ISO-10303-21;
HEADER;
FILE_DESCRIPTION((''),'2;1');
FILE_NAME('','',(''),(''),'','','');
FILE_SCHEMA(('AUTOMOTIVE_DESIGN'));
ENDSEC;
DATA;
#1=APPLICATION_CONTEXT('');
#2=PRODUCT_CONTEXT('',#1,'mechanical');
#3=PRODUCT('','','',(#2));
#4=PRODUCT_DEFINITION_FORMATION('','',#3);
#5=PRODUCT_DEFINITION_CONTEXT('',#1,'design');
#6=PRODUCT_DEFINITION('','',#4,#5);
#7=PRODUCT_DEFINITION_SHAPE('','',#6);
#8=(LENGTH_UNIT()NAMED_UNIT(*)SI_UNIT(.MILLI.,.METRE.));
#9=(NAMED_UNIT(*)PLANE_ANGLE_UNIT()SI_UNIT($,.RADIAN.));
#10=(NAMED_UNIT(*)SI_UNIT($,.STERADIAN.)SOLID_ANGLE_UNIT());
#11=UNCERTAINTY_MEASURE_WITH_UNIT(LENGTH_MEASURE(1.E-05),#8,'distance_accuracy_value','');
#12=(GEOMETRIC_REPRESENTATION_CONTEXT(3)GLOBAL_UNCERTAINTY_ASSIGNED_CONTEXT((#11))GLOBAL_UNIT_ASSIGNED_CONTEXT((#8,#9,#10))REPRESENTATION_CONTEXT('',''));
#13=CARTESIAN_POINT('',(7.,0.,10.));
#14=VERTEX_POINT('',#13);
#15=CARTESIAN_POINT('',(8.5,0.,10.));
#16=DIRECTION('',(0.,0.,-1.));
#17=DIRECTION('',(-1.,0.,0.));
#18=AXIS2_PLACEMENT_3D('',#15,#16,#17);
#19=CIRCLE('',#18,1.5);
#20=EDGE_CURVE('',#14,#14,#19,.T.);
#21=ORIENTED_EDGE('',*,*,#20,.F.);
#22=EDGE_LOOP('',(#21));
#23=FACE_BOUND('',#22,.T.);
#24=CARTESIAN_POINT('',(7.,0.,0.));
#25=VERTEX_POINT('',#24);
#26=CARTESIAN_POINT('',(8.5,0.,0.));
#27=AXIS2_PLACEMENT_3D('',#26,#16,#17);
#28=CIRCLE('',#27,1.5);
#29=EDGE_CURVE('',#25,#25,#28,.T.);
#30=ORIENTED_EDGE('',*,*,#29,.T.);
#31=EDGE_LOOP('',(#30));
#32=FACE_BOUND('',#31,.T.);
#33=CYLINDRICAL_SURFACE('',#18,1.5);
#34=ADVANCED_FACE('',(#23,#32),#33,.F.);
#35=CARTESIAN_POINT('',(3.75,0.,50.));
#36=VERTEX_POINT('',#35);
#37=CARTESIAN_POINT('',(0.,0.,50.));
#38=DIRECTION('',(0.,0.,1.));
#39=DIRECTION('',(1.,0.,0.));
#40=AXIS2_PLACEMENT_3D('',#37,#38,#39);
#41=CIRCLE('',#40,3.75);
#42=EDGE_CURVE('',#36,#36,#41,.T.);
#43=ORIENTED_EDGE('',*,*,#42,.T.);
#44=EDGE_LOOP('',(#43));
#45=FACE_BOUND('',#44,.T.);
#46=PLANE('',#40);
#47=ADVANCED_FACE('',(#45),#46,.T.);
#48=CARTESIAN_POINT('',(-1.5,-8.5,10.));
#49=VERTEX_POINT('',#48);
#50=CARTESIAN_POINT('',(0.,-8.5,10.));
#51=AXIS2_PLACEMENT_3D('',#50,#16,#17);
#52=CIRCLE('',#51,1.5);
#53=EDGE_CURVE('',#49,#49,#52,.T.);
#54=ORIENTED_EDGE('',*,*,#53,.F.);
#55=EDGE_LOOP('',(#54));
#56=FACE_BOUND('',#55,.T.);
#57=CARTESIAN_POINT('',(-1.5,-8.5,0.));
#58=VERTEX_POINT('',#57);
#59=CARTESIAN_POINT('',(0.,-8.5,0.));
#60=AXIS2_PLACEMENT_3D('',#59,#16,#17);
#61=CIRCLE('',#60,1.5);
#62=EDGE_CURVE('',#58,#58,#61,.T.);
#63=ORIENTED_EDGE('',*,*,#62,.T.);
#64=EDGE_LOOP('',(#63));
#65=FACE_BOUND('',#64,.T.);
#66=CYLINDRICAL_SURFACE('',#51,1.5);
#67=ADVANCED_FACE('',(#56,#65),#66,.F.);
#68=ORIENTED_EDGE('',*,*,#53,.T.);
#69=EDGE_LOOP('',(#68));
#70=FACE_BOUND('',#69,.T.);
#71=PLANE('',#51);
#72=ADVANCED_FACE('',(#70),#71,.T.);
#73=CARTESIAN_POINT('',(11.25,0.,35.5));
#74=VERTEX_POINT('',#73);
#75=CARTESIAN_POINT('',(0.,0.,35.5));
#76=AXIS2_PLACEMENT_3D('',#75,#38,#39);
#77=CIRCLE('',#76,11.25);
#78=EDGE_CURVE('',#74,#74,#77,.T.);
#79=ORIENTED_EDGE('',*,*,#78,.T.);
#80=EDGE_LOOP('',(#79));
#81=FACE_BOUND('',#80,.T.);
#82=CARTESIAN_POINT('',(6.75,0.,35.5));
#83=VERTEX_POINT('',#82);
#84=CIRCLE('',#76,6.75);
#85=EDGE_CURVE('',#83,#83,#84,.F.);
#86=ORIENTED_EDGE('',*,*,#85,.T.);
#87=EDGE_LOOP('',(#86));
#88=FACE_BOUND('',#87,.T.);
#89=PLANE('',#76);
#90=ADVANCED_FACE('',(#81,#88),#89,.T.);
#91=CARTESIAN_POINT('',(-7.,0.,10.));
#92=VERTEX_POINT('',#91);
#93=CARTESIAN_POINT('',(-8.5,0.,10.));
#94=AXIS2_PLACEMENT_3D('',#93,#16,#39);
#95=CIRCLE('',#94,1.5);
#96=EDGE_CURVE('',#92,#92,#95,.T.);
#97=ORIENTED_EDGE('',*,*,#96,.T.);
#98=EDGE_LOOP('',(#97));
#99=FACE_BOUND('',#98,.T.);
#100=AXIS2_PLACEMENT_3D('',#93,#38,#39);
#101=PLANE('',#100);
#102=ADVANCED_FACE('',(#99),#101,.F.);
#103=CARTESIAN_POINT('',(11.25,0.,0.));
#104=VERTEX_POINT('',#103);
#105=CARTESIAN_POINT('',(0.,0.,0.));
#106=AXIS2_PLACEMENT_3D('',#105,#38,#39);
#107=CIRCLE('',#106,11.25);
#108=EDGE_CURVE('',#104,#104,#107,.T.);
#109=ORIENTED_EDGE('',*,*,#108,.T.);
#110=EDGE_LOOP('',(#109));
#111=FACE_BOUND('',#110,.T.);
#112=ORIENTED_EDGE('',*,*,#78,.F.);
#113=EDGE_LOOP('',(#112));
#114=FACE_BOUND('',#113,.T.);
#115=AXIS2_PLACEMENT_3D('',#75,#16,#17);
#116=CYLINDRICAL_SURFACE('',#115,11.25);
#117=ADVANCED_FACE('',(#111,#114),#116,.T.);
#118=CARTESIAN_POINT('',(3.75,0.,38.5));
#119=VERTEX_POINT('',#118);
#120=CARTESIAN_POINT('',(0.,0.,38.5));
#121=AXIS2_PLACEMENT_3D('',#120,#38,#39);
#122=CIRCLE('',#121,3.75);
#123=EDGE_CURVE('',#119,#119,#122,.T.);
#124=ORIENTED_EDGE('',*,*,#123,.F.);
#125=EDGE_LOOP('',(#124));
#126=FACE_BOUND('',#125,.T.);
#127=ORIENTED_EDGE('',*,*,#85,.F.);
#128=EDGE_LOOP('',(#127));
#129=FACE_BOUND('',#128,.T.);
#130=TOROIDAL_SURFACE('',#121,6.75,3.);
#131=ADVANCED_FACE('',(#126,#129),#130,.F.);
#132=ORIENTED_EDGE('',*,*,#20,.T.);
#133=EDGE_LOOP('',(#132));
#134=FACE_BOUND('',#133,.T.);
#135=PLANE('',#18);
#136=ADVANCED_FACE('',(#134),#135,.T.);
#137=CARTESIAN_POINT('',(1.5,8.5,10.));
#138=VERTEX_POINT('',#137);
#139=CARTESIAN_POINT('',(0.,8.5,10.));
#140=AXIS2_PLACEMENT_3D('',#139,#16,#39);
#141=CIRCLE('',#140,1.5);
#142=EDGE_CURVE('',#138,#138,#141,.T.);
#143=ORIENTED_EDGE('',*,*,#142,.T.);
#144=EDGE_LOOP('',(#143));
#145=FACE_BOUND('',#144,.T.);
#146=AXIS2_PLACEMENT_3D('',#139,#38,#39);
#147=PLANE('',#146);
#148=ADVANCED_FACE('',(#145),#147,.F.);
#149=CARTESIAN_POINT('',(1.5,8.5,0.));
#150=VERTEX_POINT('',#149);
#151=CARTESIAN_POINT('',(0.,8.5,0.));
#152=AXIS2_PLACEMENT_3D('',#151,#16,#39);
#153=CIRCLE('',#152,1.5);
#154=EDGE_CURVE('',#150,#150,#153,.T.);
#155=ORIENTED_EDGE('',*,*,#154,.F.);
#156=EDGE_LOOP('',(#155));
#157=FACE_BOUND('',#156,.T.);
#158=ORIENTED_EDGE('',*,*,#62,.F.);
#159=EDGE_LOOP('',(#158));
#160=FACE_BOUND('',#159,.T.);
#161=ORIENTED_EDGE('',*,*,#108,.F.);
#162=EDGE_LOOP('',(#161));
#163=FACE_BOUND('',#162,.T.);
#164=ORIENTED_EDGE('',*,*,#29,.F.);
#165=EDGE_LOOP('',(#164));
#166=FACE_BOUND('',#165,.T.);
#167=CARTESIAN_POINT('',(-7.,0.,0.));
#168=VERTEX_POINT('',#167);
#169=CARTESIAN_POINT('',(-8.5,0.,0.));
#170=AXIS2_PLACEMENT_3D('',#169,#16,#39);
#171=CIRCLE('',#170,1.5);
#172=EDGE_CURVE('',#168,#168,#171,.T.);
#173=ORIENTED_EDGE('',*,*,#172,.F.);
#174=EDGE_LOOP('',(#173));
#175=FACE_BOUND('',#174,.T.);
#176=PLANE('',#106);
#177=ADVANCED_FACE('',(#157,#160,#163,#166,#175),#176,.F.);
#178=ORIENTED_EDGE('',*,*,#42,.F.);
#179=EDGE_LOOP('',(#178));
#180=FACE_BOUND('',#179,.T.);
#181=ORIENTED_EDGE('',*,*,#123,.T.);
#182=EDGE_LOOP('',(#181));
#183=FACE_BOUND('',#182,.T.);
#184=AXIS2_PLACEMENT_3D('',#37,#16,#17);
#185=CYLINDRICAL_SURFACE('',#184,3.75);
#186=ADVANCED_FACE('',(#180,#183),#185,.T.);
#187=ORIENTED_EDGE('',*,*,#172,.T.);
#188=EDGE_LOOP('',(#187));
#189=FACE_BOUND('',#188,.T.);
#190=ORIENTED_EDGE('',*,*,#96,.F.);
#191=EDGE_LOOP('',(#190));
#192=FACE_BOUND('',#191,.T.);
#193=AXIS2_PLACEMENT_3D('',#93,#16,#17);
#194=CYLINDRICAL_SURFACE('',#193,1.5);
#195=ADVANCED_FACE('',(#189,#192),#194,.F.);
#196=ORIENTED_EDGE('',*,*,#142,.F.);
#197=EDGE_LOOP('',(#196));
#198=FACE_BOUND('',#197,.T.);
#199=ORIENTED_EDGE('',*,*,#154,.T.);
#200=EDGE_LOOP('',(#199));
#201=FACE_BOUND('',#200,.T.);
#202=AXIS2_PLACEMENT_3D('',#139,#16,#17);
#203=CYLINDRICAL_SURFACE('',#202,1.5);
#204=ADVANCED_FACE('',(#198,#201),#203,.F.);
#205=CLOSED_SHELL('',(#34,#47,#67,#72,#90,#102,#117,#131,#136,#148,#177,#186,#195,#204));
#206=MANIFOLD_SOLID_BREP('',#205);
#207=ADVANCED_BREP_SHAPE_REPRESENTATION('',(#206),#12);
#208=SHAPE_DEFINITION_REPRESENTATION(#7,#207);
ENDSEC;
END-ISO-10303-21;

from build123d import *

# Parameters (mm, degrees)
SKETCH_1_R          = 11.25
EXTRUDE_1_DEPTH     = 35.5
SKETCH_2_R          = 3.75
EXTRUDE_2_DEPTH     = 14.5
FILLET_1_R          = 3
SKETCH_3_R          = 1.5
CUT_EXTRUDE_1_DEPTH = 10


with BuildPart() as part:
    # 草圖1 → 填料-伸長1 (new body)
    with BuildSketch(Plane.XY):
        Circle(SKETCH_1_R)
    extrude(amount=EXTRUDE_1_DEPTH)

    # 草圖2 → 填料-伸長2 (add)
    with BuildSketch(Plane.XY.offset(35.5)):
        Circle(SKETCH_2_R)
    extrude(amount=EXTRUDE_2_DEPTH)

    # 圓角1
    fillet_1_edges = [part.edges().sort_by_distance(p)[0] for p in [
        (-3.75, 0, 35.5),
    ]]
    fillet(fillet_1_edges, radius=FILLET_1_R)

    # 草圖3 → 除料-伸長1 (cut)
    with BuildSketch(Plane(origin=(0, 0, 0), x_dir=(-1, 0, 0), z_dir=(0, 0, -1))):
        with Locations((-8.5, 0)):
            Circle(SKETCH_3_R)
        with Locations((8.5, 0)):
            Circle(SKETCH_3_R)
        with Locations((0, -8.5)):
            Circle(SKETCH_3_R)
        with Locations((0, 8.5)):
            Circle(SKETCH_3_R)
    extrude(amount=-CUT_EXTRUDE_1_DEPTH, mode=Mode.SUBTRACT)


solid = part.part
